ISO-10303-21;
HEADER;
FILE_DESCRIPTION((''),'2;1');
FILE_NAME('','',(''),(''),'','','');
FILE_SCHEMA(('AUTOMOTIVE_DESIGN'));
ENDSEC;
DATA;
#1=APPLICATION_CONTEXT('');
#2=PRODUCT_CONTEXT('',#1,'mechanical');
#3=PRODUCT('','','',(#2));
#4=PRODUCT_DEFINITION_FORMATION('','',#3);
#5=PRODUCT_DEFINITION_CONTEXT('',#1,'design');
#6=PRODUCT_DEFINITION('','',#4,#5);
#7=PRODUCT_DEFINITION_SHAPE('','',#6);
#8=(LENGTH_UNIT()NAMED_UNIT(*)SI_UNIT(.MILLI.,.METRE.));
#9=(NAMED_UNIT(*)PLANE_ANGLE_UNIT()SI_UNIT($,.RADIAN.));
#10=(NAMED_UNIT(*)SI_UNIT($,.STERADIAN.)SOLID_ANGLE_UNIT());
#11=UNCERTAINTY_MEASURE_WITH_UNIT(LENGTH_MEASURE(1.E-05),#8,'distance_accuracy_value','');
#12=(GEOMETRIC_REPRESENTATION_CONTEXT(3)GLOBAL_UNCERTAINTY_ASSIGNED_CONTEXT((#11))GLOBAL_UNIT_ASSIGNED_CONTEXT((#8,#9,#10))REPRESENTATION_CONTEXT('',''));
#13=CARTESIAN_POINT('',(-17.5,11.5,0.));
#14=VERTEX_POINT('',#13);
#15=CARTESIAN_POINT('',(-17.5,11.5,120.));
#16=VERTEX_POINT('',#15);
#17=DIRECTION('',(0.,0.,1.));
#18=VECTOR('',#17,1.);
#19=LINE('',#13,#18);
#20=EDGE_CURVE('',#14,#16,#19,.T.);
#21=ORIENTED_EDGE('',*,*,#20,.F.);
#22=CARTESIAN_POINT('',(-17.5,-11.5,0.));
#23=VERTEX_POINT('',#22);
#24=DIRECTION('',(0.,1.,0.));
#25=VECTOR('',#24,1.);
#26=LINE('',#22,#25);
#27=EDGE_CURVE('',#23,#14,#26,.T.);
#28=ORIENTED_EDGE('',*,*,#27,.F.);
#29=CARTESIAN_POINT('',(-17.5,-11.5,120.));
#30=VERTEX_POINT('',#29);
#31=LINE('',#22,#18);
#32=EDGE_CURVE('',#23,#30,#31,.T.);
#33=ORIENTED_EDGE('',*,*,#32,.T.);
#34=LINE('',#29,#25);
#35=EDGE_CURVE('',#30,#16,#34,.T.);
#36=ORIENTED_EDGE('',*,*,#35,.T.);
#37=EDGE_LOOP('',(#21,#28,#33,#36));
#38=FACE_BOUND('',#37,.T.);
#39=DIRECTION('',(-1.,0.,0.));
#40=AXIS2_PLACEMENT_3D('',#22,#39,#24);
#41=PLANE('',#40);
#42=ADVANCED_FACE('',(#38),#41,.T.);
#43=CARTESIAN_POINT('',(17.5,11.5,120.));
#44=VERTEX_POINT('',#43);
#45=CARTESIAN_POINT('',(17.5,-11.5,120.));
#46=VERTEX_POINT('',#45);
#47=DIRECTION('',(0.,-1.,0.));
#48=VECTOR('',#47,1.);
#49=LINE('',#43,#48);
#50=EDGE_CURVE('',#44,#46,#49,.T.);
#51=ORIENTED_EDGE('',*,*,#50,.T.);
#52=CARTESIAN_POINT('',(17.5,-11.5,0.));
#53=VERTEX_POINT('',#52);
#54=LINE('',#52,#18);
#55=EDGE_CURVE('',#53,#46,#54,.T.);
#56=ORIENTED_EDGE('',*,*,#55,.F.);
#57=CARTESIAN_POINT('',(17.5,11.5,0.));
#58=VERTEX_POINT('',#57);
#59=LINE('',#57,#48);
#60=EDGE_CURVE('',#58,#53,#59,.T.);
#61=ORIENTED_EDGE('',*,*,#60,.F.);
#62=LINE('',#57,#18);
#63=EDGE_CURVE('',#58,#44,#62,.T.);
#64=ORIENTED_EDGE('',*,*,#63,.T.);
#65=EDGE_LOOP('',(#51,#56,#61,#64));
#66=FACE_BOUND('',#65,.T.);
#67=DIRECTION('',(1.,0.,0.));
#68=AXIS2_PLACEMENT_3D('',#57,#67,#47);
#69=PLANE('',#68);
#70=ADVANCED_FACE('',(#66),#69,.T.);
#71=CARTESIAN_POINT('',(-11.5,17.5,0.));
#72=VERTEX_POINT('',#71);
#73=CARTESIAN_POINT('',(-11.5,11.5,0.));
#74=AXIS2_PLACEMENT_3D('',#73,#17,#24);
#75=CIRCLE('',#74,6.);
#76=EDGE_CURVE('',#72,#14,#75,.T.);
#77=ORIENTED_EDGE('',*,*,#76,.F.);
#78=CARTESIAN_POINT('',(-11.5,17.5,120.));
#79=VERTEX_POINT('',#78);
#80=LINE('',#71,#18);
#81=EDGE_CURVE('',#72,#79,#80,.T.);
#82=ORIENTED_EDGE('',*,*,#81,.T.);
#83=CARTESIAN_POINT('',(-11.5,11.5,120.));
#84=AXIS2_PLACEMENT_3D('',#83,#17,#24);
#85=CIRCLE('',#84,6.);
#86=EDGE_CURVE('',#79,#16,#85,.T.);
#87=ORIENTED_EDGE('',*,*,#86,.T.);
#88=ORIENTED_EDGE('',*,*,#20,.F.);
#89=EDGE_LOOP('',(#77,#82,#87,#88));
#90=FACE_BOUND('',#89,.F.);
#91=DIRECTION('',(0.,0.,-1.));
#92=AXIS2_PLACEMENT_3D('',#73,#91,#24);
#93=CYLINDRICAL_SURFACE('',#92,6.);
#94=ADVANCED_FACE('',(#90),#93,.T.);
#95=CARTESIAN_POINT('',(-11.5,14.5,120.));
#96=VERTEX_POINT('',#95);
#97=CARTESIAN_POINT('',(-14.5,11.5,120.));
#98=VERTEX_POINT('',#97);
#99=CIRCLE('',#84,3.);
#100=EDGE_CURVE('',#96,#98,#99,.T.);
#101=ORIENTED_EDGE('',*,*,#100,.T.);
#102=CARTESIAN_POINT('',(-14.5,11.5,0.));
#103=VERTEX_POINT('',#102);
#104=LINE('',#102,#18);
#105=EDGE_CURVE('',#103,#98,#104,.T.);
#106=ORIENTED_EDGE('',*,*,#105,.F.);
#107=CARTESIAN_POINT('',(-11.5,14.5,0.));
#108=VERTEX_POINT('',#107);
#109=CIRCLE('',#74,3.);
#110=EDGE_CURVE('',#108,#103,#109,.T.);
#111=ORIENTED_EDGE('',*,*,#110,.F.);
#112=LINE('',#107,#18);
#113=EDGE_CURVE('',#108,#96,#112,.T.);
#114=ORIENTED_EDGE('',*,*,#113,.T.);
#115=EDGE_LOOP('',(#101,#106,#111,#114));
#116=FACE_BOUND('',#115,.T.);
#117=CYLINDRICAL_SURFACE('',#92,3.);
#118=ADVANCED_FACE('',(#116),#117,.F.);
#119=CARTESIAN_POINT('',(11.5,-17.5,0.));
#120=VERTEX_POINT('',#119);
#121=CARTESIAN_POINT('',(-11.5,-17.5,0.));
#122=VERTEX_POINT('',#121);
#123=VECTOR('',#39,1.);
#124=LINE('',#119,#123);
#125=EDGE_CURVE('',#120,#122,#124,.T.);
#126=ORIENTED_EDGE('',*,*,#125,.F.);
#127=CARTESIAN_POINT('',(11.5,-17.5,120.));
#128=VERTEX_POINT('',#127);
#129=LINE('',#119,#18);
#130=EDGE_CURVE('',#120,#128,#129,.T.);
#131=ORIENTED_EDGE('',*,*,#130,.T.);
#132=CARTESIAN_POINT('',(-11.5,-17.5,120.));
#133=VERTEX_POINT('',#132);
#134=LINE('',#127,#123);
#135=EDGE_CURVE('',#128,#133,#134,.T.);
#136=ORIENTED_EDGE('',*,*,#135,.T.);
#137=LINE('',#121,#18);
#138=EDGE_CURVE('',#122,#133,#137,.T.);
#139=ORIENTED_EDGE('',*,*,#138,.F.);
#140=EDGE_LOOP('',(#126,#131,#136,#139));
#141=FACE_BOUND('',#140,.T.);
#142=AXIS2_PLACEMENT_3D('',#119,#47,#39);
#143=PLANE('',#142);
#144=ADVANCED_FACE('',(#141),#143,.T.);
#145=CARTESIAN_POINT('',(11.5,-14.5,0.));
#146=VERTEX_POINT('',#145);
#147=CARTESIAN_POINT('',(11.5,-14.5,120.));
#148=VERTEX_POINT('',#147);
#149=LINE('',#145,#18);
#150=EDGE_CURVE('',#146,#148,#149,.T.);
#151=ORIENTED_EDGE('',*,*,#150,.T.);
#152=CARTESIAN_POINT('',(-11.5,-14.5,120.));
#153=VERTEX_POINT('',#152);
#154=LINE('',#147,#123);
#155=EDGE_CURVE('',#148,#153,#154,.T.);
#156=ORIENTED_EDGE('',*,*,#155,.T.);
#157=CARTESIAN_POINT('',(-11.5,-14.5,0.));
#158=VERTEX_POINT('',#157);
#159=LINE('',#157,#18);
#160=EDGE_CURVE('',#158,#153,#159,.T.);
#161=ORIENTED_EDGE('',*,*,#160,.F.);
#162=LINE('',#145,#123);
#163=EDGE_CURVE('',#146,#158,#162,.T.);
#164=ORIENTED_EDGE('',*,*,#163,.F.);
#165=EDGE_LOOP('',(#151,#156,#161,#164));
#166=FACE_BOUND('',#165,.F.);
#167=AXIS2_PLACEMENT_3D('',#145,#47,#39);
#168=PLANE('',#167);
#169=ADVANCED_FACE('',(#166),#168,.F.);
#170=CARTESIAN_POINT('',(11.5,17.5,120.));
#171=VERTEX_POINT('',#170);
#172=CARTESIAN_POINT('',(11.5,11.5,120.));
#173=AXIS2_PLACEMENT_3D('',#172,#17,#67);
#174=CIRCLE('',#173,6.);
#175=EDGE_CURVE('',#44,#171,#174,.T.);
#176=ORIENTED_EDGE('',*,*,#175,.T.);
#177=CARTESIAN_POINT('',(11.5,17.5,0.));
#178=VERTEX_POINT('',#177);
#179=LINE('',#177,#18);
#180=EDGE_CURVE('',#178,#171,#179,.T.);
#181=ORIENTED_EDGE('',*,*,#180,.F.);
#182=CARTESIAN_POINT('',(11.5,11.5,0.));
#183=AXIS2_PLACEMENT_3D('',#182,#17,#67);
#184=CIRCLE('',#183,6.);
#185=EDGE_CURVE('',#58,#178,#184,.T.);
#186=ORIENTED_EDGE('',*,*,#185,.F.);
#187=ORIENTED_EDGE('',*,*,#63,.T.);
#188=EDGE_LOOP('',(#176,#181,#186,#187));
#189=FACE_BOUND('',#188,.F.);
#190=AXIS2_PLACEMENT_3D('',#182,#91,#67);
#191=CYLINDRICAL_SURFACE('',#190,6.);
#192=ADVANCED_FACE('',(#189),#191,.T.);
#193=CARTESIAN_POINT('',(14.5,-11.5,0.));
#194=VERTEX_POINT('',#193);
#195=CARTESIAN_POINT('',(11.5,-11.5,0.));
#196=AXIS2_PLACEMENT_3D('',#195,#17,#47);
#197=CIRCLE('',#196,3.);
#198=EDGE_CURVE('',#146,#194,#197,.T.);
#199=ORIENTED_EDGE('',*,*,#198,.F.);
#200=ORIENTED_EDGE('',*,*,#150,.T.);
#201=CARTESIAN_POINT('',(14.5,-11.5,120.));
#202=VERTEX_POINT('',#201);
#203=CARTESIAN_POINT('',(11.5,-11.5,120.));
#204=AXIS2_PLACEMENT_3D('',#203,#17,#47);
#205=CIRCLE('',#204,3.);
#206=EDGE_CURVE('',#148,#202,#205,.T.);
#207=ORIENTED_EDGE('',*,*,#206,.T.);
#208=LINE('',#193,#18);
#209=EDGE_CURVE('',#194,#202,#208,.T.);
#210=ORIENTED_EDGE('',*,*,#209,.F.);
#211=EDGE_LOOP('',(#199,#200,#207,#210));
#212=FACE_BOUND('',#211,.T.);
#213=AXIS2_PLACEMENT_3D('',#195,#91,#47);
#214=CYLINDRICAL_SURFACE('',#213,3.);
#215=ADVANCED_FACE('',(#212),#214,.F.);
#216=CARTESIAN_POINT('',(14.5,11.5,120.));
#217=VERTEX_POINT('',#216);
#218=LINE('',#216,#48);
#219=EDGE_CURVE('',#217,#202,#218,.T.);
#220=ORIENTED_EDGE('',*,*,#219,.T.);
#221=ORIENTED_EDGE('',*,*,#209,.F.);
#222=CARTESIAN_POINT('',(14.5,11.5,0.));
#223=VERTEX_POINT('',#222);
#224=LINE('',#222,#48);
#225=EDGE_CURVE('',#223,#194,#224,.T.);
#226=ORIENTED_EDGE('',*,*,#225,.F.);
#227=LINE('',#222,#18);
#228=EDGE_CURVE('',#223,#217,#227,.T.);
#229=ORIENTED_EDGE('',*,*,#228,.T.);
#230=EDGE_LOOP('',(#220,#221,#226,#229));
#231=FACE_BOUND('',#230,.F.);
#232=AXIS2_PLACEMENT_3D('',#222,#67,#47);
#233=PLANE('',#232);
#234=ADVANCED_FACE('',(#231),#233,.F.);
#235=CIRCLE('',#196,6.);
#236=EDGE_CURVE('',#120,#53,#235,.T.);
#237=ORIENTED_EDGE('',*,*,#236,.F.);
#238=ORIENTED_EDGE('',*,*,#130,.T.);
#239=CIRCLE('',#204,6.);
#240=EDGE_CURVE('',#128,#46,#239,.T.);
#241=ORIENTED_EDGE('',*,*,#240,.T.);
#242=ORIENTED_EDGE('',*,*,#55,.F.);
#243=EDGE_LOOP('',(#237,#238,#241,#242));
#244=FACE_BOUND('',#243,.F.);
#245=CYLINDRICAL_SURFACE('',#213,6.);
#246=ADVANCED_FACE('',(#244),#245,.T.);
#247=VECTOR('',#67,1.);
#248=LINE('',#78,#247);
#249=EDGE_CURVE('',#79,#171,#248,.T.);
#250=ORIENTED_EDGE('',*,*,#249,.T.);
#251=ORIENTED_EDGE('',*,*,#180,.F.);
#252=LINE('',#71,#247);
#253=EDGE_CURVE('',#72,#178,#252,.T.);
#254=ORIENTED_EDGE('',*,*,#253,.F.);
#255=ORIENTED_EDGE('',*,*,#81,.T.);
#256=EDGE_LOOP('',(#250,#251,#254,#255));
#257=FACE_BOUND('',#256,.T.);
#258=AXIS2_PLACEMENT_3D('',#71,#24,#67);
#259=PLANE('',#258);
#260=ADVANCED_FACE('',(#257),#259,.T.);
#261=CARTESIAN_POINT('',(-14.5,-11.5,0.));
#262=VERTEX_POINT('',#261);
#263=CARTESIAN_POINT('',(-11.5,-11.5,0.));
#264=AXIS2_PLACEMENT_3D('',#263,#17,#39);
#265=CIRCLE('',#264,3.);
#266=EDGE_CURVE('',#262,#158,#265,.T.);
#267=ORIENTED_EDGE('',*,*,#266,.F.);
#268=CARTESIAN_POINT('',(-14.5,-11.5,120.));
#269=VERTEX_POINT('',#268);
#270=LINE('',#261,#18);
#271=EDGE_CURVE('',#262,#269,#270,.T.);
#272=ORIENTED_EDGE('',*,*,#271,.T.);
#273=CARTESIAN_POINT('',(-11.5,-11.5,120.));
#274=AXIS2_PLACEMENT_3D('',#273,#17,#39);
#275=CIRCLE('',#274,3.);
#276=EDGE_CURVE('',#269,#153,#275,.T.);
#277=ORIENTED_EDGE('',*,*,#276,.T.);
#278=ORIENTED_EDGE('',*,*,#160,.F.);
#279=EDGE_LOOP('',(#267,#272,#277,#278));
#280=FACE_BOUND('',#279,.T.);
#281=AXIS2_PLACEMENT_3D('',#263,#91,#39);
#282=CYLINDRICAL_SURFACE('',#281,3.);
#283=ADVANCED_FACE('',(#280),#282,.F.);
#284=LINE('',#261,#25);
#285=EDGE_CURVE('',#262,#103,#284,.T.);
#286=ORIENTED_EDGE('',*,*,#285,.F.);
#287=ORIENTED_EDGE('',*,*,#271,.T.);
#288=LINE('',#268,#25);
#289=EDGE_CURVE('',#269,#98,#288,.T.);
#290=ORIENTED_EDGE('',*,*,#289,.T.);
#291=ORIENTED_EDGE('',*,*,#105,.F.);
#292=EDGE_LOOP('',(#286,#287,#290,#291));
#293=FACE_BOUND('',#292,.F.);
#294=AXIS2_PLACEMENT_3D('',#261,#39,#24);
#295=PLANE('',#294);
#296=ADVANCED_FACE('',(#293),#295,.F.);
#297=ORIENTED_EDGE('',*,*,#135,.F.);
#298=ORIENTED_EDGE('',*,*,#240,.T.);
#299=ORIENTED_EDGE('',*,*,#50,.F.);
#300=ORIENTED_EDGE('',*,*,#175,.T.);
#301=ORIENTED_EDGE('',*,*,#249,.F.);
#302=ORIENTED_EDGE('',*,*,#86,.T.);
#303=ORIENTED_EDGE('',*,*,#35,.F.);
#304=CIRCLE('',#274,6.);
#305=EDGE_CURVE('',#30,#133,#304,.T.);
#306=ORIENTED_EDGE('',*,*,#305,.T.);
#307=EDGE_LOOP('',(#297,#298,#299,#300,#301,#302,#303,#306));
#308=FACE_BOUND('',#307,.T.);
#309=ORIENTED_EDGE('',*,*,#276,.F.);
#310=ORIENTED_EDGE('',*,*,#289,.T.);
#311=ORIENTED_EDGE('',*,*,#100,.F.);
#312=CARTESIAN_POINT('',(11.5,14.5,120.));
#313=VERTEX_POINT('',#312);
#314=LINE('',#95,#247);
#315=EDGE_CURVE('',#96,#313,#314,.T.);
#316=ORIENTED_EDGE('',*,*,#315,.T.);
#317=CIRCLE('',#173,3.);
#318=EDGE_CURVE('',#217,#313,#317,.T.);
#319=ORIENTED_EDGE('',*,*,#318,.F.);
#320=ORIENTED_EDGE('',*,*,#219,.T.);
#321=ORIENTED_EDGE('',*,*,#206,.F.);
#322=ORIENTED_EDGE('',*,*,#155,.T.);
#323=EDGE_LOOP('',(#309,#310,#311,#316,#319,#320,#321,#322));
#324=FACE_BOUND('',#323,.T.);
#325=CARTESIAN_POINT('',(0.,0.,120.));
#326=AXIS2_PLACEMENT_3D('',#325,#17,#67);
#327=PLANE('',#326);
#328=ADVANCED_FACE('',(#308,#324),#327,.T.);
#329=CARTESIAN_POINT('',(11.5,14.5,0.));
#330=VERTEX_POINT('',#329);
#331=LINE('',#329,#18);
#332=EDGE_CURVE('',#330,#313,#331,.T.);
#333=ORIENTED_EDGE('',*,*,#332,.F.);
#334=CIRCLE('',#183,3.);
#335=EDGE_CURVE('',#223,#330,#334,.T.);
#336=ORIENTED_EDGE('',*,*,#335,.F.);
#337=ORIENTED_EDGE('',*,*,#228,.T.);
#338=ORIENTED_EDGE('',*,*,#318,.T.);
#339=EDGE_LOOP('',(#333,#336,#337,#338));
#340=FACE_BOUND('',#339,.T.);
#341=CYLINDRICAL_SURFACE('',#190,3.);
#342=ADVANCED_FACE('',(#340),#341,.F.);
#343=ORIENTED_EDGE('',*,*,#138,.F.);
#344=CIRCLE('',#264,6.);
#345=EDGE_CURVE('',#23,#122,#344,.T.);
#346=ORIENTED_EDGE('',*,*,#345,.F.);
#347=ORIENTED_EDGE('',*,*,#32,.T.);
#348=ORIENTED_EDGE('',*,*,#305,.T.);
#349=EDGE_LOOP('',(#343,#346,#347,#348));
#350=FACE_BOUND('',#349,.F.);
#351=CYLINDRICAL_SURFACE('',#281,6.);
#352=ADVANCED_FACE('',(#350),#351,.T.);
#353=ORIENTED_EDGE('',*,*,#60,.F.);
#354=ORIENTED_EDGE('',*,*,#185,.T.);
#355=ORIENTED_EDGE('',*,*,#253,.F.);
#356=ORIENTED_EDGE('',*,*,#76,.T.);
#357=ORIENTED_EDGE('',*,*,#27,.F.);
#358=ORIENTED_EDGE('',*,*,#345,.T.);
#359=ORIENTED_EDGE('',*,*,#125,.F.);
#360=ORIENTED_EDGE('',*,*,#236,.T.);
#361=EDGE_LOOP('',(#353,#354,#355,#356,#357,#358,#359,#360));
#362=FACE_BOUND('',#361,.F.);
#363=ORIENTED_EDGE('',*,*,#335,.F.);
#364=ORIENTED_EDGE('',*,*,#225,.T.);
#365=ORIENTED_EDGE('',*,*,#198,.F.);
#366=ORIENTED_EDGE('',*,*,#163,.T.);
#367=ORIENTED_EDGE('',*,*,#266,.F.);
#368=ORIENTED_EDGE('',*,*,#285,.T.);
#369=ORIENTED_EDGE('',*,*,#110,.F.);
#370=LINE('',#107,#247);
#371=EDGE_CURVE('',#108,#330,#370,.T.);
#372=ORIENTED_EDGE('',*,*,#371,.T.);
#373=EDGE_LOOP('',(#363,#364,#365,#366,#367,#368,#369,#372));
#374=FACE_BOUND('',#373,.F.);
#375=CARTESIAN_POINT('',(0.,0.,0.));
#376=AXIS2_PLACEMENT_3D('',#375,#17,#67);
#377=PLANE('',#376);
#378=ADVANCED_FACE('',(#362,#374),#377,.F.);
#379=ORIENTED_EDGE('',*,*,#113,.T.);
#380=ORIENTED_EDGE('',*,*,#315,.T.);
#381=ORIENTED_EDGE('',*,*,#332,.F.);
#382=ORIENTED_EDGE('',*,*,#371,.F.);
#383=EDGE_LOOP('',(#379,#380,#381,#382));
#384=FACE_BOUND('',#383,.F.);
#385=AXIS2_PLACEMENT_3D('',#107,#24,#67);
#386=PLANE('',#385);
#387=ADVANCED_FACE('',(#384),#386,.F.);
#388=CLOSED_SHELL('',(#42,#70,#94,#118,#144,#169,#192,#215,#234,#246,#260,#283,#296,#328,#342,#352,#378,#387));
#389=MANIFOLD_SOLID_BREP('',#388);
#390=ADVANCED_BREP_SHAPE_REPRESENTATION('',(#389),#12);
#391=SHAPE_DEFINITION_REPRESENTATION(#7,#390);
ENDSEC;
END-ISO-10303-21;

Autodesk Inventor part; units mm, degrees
ref_plane "YZ Plane" through (0, 0, 0) normal (1, 0, 0) x (0, 1, 0)
ref_plane "Start plane" through (0, 0, 0) normal (0, 0, 1) x (1, 0, 0)
ref_plane "End plane" through (0, 0, 120) normal (0, 0, 1) x (1, 0, 0)
sketch "Sketch" plane through (0, 0, 0) normal (0, 0, 1) x (1, 0, 0)
  line L0 (-17.5, -11.5) -> (-17.5, 11.5)
  line L1 (-11.5, 17.5) -> (11.5, 17.5)
  line L2 (17.5, 11.5) -> (17.5, -11.5)
  line L3 (11.5, -17.5) -> (-11.5, -17.5)
  arc A0 (-17.5, -11.5) -> (-11.5, -17.5) centre (-11.5, -11.5) ccw
  arc A1 (-11.5, 17.5) -> (-17.5, 11.5) centre (-11.5, 11.5) ccw
  arc A2 (17.5, 11.5) -> (11.5, 17.5) centre (11.5, 11.5) ccw
  arc A3 (11.5, -17.5) -> (17.5, -11.5) centre (11.5, -11.5) ccw
  arc A4 (-11.5, 14.5) -> (-14.5, 11.5) centre (-11.5, 11.5) ccw
  line L4 (-11.5, 14.5) -> (11.5, 14.5)
  arc A5 (14.5, 11.5) -> (11.5, 14.5) centre (11.5, 11.5) ccw
  line L5 (14.5, 11.5) -> (14.5, -11.5)
  arc A6 (11.5, -14.5) -> (14.5, -11.5) centre (11.5, -11.5) ccw
  line L6 (11.5, -14.5) -> (-11.5, -14.5)
  arc A7 (-14.5, -11.5) -> (-11.5, -14.5) centre (-11.5, -11.5) ccw
  line L7 (-14.5, -11.5) -> (-14.5, 11.5)
  line L8 (0, 25.6598) -> (0, -25.6598) construction
  line L9 (-25.6598, 0) -> (25.6598, 0) construction
  dimension "d7" = 6
  dimension "d10" = 35
  dimension "d11" = 35
  dimension "d12" = 3
  dimension "d15" = 17.5
  dimension "d16" = 17.5
extrude "Body" add sketch "Sketch" along normal up to surface (120 mm away) from surface at 0
sketch "Sketch3" plane through (0, 0, 0) normal (0, 0, 1) x (1, 0, 0)
  line L0 (0, 0) -> (10, 0)
ref_plane "Work Plane3" through (0, 0, 0) normal (0, -1, 0) x (1, 0, 0)
sketch "Sketch4" plane through (0, 0, 0) normal (0, -1, 0) x (1, 0, 0)
  line L0 (-2, 0) -> (12, 0)
  line L1 (-2, 120) -> (12, 120)
  dimension "d18" = 120
equation "\"d7\" = G_IR"
equation "\"d10\" = G_H"
equation "\"d11\" = G_W"
equation "\"d12\" = G_T"
equation "\"d15\" = 0.5 * d10"
equation "\"d16\" = 0.5 * d11"
equation "\"d3\" = G_L"
equation "\"G_W\" = 35"
equation "\"G_H\" = 35"
equation "\"G_T\" = 3"
equation "\"G_IR\" = 6"
equation "\"G_L\" = d18"
equation "\"G_OFFSET_START\" = 0"
equation "\"G_OFFSET_END\" = 0"
properties part number "AS 1163 - C350L0 35x35x3.0 SHS - 120" material "Steel, Mild"
